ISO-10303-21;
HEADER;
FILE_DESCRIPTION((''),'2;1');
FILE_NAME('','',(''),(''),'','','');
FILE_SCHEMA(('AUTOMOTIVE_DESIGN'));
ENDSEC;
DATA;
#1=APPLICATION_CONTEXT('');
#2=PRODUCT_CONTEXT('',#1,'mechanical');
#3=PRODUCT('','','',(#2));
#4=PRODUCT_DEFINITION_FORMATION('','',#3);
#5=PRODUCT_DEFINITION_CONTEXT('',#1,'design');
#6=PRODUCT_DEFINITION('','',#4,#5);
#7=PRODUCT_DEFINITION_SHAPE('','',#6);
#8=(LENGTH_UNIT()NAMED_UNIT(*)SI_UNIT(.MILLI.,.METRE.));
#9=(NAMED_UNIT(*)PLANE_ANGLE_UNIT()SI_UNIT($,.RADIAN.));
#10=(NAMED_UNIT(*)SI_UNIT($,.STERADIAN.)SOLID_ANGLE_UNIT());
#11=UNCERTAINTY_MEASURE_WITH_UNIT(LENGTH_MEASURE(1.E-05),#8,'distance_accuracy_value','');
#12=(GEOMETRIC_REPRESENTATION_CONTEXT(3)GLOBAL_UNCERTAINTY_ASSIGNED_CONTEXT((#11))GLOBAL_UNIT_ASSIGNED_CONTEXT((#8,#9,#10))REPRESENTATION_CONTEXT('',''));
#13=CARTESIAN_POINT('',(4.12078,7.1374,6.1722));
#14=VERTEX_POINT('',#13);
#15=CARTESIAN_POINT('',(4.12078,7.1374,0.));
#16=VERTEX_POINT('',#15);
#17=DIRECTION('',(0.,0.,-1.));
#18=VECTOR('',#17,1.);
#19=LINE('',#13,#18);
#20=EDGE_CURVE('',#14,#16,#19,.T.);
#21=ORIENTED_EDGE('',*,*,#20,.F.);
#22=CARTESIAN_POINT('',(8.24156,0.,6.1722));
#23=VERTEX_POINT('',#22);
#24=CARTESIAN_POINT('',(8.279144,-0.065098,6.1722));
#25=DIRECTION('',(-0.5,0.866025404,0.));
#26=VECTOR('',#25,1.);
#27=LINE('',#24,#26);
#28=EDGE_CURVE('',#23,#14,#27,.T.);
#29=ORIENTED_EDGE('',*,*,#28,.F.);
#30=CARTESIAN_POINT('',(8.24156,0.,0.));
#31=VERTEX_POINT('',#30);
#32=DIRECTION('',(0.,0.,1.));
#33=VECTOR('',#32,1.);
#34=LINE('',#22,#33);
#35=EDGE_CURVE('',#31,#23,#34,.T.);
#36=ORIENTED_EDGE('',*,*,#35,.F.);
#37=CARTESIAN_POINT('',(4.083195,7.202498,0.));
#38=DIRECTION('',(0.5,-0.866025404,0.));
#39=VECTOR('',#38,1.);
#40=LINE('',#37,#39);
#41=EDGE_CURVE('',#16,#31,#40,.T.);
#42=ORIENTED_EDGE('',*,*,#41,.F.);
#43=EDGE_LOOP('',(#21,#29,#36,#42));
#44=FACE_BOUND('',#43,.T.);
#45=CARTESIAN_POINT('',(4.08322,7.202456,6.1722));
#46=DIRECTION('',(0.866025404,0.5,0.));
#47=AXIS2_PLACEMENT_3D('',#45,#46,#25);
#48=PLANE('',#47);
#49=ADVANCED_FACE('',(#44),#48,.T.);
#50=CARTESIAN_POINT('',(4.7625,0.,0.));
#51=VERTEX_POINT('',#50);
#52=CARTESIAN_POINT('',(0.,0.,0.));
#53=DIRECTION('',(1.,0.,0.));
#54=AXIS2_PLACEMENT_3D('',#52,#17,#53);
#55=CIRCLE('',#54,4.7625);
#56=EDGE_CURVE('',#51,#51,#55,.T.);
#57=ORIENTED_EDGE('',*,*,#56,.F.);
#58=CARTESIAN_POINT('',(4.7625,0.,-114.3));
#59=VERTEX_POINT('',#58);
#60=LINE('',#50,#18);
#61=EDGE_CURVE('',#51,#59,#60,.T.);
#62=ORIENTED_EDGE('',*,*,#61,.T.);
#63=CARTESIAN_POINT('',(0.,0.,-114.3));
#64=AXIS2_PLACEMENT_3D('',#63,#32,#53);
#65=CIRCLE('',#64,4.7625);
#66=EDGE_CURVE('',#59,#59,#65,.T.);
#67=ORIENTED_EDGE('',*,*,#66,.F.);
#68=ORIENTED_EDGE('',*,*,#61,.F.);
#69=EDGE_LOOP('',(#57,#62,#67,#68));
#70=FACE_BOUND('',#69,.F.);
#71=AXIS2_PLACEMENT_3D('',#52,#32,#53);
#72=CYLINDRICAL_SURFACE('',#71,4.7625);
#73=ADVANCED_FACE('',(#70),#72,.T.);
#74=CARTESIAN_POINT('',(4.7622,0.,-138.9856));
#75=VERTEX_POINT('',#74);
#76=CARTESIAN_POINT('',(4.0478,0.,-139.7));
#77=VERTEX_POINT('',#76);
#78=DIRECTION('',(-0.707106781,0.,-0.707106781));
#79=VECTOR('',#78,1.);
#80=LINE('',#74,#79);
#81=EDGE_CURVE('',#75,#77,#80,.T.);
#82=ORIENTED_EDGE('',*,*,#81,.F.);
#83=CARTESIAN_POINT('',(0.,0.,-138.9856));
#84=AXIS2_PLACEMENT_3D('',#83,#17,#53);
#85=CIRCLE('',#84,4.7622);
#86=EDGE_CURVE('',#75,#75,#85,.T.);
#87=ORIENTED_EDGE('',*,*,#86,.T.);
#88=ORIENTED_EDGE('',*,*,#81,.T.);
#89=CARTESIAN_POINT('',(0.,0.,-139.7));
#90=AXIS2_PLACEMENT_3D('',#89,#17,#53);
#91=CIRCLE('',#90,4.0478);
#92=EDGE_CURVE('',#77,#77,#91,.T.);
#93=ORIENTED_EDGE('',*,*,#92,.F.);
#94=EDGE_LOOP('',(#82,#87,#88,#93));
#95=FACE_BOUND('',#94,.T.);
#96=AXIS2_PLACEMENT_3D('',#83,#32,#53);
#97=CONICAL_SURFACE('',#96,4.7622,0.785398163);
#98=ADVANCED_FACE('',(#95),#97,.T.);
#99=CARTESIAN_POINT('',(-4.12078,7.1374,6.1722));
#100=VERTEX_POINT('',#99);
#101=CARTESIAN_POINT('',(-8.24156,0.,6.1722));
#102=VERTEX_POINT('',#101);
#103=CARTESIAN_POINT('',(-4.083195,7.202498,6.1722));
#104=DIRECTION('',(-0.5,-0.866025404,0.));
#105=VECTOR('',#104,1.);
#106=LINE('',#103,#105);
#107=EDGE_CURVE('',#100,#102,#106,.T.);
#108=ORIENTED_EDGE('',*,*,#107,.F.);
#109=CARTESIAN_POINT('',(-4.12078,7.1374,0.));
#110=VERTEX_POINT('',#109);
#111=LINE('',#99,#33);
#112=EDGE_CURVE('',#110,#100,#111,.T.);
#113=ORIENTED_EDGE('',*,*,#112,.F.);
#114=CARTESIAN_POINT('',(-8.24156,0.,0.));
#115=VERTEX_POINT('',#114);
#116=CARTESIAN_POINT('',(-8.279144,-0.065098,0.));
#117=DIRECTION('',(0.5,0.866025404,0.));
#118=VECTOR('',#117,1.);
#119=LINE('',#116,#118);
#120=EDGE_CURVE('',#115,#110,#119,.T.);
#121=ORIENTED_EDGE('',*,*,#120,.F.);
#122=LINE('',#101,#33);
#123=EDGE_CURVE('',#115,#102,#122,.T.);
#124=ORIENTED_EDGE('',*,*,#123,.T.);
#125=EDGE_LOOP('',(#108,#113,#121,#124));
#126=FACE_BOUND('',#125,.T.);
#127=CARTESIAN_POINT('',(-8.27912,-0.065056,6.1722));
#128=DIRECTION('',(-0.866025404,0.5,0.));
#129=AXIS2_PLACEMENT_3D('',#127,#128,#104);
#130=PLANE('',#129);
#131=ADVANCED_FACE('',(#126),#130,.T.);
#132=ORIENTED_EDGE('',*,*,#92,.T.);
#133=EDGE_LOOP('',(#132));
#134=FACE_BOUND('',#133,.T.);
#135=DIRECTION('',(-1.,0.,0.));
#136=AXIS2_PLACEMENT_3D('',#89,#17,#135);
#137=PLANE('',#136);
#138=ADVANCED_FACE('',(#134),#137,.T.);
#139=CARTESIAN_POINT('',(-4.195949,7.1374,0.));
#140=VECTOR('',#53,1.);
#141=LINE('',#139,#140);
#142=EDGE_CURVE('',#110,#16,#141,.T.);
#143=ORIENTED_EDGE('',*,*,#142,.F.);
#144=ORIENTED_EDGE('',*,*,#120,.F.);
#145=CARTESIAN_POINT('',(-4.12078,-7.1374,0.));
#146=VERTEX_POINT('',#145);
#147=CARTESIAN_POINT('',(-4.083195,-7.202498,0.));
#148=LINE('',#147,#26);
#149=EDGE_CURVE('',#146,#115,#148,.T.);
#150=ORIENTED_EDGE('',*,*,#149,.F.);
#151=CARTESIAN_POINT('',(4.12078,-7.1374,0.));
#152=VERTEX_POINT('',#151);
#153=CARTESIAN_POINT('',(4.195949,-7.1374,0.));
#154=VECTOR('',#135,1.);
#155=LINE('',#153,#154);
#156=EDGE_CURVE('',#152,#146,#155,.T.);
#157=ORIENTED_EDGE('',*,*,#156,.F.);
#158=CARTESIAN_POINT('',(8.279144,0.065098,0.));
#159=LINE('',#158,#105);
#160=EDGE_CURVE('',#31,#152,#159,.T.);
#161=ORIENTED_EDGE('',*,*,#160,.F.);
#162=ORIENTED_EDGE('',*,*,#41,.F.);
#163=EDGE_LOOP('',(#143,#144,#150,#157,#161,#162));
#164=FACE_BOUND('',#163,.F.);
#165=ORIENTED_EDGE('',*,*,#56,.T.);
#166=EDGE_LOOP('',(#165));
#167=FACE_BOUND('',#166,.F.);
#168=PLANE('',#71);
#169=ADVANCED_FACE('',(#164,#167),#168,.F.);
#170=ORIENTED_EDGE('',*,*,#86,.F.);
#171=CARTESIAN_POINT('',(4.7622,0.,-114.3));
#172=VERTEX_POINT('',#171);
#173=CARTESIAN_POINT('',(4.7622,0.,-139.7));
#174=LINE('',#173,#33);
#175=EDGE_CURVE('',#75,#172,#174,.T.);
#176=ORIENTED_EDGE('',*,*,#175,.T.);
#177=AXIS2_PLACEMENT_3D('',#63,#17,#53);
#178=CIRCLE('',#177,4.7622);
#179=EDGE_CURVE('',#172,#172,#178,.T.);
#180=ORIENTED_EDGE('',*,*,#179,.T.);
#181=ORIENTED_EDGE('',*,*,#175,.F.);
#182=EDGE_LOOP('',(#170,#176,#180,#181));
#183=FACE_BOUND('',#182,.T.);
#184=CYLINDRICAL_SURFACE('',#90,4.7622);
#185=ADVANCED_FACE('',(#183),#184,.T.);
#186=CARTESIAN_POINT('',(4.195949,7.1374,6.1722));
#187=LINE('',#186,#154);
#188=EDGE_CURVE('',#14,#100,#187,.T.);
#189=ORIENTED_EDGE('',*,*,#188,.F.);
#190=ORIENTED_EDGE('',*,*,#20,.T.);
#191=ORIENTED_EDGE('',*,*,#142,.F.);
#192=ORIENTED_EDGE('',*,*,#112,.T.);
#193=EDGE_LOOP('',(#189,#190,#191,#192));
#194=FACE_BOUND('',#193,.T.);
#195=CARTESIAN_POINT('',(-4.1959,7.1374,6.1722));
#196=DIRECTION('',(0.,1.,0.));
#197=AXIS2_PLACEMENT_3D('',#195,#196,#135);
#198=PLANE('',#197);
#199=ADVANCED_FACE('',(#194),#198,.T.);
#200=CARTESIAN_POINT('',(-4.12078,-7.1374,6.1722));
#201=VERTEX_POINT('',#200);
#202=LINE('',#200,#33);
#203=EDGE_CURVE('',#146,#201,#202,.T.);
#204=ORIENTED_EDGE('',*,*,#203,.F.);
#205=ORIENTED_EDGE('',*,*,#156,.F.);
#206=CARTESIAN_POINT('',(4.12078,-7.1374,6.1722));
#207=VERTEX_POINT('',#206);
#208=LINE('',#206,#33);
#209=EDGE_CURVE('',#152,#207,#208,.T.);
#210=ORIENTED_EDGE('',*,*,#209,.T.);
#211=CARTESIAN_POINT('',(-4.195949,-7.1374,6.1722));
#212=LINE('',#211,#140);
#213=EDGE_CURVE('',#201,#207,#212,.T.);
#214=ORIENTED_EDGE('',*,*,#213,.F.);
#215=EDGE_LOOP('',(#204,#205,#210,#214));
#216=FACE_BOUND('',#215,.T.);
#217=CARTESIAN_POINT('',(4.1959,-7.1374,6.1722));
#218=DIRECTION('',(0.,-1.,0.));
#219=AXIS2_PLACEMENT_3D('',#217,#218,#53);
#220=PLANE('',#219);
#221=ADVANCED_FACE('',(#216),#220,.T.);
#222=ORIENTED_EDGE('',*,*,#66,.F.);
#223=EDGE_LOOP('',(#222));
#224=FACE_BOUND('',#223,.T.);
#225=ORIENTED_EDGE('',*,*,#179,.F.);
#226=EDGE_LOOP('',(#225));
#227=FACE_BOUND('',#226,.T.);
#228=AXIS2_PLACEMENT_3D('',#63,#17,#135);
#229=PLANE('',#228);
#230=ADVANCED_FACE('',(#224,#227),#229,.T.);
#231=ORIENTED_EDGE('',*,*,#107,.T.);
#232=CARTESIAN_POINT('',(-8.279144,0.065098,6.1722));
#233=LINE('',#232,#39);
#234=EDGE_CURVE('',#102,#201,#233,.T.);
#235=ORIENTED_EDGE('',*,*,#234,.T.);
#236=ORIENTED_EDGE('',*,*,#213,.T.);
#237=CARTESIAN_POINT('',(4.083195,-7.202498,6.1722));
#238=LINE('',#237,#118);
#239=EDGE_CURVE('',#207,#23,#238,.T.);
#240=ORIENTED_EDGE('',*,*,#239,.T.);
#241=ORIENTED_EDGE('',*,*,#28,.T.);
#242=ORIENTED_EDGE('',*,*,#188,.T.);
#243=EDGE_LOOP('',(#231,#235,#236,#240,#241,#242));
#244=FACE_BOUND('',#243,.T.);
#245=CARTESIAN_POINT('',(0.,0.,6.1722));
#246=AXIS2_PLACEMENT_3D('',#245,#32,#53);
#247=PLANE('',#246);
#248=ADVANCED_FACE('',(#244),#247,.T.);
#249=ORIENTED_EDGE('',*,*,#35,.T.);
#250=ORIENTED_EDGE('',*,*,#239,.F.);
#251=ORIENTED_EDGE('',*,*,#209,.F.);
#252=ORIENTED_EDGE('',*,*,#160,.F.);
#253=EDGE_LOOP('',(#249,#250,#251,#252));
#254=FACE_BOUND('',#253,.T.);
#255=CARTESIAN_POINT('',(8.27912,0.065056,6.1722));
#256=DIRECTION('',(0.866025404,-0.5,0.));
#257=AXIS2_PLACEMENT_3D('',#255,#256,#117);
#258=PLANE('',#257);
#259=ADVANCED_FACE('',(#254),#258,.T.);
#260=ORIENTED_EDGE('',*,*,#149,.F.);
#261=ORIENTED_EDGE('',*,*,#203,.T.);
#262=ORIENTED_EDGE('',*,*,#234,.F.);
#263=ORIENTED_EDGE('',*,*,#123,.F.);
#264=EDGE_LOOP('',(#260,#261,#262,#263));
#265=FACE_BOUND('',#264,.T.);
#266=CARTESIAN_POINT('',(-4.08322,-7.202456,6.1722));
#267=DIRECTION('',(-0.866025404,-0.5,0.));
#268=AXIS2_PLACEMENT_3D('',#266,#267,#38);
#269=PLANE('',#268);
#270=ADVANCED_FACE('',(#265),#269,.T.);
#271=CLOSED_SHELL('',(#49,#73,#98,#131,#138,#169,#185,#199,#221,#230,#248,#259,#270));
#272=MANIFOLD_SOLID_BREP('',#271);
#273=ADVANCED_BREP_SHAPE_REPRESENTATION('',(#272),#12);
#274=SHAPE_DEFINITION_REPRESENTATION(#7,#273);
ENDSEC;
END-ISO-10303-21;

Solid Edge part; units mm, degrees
sketch "Sketch1" plane through (0, 0, 0) normal (0, 0, 1) x (1, 0, 0)
  circle A0 centre (0, 0) radius 8.2794
  dimension "D1" = 16.5588
extrude "Protrusion1" add sketch "Sketch1" along normal blind 6.1722
sketch "Sketch2" plane through (0, 0, 0) normal (0, 0, -1) x (1, 0, 0)
  circle A0 centre (0, 0) radius 4.7625
extrude "Protrusion2" add sketch "Sketch2" along normal blind 139.7
sketch "Sketch3" plane through (0, 0, -139.7) normal (0, 0, -1) x (1, 0, 0)
  circle A0 centre (0, 0) radius 4.7622
extrude "Cutout1" cut sketch "Sketch3" against normal blind 25.4 flip side to cut
chamfer "Chamfer_1" distance 0.7144 angle 45 1 edges at (-4.7622, 0, -139.7)
sketch "Sketch4" plane through (0, 0, 6.1722) normal (0, 0, 1) x (1, 0, 0)
  line L0 (-4.1959, 7.1374) -> (4.1959, 7.1374)
  dimension "D1" = 14.2748
extrude "Cutout2" cut sketch "Sketch4" against normal up to next material side at (0, 7.1874, 6.1722)
pattern_circular "Pattern1" count 6 over 360 about axis through (0, 0, 6.1722) along (0, 0, 1) of "Cutout2"
properties part number "155142"
